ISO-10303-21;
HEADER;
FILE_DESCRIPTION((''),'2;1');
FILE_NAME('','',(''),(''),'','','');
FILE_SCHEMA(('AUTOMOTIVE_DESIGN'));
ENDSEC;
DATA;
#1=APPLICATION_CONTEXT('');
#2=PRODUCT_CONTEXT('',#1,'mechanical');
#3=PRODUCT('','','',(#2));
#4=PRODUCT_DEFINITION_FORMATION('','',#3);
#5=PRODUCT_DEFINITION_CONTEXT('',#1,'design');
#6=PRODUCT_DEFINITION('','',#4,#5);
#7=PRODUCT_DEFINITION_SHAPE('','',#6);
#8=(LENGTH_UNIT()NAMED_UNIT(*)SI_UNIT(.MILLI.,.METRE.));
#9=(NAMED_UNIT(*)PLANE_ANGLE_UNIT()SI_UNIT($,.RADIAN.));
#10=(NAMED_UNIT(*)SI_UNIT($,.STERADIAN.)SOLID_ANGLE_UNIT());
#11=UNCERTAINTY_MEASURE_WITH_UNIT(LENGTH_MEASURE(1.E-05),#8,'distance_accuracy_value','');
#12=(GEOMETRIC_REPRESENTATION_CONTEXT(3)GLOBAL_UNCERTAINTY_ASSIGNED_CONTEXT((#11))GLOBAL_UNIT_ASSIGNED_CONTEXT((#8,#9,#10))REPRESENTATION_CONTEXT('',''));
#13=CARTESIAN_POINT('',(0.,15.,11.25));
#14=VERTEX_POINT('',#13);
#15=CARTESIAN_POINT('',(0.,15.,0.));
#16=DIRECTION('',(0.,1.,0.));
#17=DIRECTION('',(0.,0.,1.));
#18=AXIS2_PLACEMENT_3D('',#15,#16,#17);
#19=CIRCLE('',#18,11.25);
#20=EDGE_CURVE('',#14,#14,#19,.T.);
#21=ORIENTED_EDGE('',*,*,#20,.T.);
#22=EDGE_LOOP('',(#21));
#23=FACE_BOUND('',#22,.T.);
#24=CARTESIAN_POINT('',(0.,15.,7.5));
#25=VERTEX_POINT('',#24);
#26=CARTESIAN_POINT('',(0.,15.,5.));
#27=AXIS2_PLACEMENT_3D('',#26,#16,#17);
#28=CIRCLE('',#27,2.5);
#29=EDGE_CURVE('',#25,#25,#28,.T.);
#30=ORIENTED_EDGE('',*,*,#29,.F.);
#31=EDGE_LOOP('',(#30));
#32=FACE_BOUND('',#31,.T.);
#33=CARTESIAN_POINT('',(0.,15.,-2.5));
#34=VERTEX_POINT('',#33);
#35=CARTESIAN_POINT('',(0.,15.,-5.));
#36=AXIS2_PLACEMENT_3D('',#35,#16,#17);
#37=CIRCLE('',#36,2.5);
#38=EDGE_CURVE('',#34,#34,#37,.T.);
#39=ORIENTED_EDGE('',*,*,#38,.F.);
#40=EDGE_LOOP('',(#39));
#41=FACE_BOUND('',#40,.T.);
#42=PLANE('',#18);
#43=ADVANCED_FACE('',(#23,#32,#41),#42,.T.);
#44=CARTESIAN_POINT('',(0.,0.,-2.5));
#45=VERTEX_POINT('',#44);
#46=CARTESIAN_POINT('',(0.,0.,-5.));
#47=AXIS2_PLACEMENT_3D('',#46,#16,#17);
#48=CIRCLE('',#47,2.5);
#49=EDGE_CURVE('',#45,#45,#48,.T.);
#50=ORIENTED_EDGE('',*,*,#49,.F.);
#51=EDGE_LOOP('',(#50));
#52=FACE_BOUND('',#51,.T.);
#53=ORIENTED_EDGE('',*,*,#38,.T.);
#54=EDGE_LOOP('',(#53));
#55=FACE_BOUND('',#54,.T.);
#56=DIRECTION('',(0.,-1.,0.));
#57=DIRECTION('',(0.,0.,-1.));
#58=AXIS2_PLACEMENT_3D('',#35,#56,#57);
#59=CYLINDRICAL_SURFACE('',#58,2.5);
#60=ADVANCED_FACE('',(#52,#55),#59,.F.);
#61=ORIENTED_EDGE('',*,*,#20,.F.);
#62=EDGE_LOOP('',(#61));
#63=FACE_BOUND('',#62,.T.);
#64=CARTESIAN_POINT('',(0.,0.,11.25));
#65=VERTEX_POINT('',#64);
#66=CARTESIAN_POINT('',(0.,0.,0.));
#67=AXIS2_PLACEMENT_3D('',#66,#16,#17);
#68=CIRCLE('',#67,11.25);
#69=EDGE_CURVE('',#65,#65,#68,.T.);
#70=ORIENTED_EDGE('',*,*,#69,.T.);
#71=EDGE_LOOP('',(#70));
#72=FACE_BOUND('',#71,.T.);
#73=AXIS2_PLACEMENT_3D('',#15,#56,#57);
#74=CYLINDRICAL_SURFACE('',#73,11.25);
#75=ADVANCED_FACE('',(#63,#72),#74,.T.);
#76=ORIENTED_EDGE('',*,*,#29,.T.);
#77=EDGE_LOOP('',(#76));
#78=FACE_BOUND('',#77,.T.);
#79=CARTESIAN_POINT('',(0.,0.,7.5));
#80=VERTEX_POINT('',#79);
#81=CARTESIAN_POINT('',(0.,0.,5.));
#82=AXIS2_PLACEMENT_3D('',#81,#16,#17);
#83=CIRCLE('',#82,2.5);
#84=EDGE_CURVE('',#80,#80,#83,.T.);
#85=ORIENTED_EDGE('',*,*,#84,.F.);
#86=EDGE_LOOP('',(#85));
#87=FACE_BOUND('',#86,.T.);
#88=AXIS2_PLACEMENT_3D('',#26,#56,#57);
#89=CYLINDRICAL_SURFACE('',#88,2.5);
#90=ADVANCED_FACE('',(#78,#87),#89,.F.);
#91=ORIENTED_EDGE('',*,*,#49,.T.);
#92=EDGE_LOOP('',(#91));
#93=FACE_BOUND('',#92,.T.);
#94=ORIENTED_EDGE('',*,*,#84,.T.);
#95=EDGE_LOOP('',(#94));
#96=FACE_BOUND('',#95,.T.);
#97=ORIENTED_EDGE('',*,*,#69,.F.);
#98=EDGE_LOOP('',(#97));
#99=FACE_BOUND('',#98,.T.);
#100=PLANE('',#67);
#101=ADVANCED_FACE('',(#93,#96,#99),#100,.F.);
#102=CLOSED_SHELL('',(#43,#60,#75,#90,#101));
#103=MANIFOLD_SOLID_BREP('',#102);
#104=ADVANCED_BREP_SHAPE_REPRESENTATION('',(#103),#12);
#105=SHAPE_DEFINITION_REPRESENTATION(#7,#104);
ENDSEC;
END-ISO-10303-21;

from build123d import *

# Parameters (mm, degrees)
SKETCH1_R           = 11.25
SKETCH1_R_2         = 2.5
BOSS_EXTRUDE1_DEPTH = 15


with BuildPart() as part:
    # Sketch1 → Boss-Extrude1 (new body)
    with BuildSketch(Plane(origin=(0, 0, 0), x_dir=(1, 0, 0), z_dir=(0, 1, 0))):
        Circle(SKETCH1_R)
        with Locations((0, 5)):
            Circle(SKETCH1_R_2, mode=Mode.SUBTRACT)
        with Locations((0, -5)):
            Circle(SKETCH1_R_2, mode=Mode.SUBTRACT)
    extrude(amount=BOSS_EXTRUDE1_DEPTH)


solid = part.part
